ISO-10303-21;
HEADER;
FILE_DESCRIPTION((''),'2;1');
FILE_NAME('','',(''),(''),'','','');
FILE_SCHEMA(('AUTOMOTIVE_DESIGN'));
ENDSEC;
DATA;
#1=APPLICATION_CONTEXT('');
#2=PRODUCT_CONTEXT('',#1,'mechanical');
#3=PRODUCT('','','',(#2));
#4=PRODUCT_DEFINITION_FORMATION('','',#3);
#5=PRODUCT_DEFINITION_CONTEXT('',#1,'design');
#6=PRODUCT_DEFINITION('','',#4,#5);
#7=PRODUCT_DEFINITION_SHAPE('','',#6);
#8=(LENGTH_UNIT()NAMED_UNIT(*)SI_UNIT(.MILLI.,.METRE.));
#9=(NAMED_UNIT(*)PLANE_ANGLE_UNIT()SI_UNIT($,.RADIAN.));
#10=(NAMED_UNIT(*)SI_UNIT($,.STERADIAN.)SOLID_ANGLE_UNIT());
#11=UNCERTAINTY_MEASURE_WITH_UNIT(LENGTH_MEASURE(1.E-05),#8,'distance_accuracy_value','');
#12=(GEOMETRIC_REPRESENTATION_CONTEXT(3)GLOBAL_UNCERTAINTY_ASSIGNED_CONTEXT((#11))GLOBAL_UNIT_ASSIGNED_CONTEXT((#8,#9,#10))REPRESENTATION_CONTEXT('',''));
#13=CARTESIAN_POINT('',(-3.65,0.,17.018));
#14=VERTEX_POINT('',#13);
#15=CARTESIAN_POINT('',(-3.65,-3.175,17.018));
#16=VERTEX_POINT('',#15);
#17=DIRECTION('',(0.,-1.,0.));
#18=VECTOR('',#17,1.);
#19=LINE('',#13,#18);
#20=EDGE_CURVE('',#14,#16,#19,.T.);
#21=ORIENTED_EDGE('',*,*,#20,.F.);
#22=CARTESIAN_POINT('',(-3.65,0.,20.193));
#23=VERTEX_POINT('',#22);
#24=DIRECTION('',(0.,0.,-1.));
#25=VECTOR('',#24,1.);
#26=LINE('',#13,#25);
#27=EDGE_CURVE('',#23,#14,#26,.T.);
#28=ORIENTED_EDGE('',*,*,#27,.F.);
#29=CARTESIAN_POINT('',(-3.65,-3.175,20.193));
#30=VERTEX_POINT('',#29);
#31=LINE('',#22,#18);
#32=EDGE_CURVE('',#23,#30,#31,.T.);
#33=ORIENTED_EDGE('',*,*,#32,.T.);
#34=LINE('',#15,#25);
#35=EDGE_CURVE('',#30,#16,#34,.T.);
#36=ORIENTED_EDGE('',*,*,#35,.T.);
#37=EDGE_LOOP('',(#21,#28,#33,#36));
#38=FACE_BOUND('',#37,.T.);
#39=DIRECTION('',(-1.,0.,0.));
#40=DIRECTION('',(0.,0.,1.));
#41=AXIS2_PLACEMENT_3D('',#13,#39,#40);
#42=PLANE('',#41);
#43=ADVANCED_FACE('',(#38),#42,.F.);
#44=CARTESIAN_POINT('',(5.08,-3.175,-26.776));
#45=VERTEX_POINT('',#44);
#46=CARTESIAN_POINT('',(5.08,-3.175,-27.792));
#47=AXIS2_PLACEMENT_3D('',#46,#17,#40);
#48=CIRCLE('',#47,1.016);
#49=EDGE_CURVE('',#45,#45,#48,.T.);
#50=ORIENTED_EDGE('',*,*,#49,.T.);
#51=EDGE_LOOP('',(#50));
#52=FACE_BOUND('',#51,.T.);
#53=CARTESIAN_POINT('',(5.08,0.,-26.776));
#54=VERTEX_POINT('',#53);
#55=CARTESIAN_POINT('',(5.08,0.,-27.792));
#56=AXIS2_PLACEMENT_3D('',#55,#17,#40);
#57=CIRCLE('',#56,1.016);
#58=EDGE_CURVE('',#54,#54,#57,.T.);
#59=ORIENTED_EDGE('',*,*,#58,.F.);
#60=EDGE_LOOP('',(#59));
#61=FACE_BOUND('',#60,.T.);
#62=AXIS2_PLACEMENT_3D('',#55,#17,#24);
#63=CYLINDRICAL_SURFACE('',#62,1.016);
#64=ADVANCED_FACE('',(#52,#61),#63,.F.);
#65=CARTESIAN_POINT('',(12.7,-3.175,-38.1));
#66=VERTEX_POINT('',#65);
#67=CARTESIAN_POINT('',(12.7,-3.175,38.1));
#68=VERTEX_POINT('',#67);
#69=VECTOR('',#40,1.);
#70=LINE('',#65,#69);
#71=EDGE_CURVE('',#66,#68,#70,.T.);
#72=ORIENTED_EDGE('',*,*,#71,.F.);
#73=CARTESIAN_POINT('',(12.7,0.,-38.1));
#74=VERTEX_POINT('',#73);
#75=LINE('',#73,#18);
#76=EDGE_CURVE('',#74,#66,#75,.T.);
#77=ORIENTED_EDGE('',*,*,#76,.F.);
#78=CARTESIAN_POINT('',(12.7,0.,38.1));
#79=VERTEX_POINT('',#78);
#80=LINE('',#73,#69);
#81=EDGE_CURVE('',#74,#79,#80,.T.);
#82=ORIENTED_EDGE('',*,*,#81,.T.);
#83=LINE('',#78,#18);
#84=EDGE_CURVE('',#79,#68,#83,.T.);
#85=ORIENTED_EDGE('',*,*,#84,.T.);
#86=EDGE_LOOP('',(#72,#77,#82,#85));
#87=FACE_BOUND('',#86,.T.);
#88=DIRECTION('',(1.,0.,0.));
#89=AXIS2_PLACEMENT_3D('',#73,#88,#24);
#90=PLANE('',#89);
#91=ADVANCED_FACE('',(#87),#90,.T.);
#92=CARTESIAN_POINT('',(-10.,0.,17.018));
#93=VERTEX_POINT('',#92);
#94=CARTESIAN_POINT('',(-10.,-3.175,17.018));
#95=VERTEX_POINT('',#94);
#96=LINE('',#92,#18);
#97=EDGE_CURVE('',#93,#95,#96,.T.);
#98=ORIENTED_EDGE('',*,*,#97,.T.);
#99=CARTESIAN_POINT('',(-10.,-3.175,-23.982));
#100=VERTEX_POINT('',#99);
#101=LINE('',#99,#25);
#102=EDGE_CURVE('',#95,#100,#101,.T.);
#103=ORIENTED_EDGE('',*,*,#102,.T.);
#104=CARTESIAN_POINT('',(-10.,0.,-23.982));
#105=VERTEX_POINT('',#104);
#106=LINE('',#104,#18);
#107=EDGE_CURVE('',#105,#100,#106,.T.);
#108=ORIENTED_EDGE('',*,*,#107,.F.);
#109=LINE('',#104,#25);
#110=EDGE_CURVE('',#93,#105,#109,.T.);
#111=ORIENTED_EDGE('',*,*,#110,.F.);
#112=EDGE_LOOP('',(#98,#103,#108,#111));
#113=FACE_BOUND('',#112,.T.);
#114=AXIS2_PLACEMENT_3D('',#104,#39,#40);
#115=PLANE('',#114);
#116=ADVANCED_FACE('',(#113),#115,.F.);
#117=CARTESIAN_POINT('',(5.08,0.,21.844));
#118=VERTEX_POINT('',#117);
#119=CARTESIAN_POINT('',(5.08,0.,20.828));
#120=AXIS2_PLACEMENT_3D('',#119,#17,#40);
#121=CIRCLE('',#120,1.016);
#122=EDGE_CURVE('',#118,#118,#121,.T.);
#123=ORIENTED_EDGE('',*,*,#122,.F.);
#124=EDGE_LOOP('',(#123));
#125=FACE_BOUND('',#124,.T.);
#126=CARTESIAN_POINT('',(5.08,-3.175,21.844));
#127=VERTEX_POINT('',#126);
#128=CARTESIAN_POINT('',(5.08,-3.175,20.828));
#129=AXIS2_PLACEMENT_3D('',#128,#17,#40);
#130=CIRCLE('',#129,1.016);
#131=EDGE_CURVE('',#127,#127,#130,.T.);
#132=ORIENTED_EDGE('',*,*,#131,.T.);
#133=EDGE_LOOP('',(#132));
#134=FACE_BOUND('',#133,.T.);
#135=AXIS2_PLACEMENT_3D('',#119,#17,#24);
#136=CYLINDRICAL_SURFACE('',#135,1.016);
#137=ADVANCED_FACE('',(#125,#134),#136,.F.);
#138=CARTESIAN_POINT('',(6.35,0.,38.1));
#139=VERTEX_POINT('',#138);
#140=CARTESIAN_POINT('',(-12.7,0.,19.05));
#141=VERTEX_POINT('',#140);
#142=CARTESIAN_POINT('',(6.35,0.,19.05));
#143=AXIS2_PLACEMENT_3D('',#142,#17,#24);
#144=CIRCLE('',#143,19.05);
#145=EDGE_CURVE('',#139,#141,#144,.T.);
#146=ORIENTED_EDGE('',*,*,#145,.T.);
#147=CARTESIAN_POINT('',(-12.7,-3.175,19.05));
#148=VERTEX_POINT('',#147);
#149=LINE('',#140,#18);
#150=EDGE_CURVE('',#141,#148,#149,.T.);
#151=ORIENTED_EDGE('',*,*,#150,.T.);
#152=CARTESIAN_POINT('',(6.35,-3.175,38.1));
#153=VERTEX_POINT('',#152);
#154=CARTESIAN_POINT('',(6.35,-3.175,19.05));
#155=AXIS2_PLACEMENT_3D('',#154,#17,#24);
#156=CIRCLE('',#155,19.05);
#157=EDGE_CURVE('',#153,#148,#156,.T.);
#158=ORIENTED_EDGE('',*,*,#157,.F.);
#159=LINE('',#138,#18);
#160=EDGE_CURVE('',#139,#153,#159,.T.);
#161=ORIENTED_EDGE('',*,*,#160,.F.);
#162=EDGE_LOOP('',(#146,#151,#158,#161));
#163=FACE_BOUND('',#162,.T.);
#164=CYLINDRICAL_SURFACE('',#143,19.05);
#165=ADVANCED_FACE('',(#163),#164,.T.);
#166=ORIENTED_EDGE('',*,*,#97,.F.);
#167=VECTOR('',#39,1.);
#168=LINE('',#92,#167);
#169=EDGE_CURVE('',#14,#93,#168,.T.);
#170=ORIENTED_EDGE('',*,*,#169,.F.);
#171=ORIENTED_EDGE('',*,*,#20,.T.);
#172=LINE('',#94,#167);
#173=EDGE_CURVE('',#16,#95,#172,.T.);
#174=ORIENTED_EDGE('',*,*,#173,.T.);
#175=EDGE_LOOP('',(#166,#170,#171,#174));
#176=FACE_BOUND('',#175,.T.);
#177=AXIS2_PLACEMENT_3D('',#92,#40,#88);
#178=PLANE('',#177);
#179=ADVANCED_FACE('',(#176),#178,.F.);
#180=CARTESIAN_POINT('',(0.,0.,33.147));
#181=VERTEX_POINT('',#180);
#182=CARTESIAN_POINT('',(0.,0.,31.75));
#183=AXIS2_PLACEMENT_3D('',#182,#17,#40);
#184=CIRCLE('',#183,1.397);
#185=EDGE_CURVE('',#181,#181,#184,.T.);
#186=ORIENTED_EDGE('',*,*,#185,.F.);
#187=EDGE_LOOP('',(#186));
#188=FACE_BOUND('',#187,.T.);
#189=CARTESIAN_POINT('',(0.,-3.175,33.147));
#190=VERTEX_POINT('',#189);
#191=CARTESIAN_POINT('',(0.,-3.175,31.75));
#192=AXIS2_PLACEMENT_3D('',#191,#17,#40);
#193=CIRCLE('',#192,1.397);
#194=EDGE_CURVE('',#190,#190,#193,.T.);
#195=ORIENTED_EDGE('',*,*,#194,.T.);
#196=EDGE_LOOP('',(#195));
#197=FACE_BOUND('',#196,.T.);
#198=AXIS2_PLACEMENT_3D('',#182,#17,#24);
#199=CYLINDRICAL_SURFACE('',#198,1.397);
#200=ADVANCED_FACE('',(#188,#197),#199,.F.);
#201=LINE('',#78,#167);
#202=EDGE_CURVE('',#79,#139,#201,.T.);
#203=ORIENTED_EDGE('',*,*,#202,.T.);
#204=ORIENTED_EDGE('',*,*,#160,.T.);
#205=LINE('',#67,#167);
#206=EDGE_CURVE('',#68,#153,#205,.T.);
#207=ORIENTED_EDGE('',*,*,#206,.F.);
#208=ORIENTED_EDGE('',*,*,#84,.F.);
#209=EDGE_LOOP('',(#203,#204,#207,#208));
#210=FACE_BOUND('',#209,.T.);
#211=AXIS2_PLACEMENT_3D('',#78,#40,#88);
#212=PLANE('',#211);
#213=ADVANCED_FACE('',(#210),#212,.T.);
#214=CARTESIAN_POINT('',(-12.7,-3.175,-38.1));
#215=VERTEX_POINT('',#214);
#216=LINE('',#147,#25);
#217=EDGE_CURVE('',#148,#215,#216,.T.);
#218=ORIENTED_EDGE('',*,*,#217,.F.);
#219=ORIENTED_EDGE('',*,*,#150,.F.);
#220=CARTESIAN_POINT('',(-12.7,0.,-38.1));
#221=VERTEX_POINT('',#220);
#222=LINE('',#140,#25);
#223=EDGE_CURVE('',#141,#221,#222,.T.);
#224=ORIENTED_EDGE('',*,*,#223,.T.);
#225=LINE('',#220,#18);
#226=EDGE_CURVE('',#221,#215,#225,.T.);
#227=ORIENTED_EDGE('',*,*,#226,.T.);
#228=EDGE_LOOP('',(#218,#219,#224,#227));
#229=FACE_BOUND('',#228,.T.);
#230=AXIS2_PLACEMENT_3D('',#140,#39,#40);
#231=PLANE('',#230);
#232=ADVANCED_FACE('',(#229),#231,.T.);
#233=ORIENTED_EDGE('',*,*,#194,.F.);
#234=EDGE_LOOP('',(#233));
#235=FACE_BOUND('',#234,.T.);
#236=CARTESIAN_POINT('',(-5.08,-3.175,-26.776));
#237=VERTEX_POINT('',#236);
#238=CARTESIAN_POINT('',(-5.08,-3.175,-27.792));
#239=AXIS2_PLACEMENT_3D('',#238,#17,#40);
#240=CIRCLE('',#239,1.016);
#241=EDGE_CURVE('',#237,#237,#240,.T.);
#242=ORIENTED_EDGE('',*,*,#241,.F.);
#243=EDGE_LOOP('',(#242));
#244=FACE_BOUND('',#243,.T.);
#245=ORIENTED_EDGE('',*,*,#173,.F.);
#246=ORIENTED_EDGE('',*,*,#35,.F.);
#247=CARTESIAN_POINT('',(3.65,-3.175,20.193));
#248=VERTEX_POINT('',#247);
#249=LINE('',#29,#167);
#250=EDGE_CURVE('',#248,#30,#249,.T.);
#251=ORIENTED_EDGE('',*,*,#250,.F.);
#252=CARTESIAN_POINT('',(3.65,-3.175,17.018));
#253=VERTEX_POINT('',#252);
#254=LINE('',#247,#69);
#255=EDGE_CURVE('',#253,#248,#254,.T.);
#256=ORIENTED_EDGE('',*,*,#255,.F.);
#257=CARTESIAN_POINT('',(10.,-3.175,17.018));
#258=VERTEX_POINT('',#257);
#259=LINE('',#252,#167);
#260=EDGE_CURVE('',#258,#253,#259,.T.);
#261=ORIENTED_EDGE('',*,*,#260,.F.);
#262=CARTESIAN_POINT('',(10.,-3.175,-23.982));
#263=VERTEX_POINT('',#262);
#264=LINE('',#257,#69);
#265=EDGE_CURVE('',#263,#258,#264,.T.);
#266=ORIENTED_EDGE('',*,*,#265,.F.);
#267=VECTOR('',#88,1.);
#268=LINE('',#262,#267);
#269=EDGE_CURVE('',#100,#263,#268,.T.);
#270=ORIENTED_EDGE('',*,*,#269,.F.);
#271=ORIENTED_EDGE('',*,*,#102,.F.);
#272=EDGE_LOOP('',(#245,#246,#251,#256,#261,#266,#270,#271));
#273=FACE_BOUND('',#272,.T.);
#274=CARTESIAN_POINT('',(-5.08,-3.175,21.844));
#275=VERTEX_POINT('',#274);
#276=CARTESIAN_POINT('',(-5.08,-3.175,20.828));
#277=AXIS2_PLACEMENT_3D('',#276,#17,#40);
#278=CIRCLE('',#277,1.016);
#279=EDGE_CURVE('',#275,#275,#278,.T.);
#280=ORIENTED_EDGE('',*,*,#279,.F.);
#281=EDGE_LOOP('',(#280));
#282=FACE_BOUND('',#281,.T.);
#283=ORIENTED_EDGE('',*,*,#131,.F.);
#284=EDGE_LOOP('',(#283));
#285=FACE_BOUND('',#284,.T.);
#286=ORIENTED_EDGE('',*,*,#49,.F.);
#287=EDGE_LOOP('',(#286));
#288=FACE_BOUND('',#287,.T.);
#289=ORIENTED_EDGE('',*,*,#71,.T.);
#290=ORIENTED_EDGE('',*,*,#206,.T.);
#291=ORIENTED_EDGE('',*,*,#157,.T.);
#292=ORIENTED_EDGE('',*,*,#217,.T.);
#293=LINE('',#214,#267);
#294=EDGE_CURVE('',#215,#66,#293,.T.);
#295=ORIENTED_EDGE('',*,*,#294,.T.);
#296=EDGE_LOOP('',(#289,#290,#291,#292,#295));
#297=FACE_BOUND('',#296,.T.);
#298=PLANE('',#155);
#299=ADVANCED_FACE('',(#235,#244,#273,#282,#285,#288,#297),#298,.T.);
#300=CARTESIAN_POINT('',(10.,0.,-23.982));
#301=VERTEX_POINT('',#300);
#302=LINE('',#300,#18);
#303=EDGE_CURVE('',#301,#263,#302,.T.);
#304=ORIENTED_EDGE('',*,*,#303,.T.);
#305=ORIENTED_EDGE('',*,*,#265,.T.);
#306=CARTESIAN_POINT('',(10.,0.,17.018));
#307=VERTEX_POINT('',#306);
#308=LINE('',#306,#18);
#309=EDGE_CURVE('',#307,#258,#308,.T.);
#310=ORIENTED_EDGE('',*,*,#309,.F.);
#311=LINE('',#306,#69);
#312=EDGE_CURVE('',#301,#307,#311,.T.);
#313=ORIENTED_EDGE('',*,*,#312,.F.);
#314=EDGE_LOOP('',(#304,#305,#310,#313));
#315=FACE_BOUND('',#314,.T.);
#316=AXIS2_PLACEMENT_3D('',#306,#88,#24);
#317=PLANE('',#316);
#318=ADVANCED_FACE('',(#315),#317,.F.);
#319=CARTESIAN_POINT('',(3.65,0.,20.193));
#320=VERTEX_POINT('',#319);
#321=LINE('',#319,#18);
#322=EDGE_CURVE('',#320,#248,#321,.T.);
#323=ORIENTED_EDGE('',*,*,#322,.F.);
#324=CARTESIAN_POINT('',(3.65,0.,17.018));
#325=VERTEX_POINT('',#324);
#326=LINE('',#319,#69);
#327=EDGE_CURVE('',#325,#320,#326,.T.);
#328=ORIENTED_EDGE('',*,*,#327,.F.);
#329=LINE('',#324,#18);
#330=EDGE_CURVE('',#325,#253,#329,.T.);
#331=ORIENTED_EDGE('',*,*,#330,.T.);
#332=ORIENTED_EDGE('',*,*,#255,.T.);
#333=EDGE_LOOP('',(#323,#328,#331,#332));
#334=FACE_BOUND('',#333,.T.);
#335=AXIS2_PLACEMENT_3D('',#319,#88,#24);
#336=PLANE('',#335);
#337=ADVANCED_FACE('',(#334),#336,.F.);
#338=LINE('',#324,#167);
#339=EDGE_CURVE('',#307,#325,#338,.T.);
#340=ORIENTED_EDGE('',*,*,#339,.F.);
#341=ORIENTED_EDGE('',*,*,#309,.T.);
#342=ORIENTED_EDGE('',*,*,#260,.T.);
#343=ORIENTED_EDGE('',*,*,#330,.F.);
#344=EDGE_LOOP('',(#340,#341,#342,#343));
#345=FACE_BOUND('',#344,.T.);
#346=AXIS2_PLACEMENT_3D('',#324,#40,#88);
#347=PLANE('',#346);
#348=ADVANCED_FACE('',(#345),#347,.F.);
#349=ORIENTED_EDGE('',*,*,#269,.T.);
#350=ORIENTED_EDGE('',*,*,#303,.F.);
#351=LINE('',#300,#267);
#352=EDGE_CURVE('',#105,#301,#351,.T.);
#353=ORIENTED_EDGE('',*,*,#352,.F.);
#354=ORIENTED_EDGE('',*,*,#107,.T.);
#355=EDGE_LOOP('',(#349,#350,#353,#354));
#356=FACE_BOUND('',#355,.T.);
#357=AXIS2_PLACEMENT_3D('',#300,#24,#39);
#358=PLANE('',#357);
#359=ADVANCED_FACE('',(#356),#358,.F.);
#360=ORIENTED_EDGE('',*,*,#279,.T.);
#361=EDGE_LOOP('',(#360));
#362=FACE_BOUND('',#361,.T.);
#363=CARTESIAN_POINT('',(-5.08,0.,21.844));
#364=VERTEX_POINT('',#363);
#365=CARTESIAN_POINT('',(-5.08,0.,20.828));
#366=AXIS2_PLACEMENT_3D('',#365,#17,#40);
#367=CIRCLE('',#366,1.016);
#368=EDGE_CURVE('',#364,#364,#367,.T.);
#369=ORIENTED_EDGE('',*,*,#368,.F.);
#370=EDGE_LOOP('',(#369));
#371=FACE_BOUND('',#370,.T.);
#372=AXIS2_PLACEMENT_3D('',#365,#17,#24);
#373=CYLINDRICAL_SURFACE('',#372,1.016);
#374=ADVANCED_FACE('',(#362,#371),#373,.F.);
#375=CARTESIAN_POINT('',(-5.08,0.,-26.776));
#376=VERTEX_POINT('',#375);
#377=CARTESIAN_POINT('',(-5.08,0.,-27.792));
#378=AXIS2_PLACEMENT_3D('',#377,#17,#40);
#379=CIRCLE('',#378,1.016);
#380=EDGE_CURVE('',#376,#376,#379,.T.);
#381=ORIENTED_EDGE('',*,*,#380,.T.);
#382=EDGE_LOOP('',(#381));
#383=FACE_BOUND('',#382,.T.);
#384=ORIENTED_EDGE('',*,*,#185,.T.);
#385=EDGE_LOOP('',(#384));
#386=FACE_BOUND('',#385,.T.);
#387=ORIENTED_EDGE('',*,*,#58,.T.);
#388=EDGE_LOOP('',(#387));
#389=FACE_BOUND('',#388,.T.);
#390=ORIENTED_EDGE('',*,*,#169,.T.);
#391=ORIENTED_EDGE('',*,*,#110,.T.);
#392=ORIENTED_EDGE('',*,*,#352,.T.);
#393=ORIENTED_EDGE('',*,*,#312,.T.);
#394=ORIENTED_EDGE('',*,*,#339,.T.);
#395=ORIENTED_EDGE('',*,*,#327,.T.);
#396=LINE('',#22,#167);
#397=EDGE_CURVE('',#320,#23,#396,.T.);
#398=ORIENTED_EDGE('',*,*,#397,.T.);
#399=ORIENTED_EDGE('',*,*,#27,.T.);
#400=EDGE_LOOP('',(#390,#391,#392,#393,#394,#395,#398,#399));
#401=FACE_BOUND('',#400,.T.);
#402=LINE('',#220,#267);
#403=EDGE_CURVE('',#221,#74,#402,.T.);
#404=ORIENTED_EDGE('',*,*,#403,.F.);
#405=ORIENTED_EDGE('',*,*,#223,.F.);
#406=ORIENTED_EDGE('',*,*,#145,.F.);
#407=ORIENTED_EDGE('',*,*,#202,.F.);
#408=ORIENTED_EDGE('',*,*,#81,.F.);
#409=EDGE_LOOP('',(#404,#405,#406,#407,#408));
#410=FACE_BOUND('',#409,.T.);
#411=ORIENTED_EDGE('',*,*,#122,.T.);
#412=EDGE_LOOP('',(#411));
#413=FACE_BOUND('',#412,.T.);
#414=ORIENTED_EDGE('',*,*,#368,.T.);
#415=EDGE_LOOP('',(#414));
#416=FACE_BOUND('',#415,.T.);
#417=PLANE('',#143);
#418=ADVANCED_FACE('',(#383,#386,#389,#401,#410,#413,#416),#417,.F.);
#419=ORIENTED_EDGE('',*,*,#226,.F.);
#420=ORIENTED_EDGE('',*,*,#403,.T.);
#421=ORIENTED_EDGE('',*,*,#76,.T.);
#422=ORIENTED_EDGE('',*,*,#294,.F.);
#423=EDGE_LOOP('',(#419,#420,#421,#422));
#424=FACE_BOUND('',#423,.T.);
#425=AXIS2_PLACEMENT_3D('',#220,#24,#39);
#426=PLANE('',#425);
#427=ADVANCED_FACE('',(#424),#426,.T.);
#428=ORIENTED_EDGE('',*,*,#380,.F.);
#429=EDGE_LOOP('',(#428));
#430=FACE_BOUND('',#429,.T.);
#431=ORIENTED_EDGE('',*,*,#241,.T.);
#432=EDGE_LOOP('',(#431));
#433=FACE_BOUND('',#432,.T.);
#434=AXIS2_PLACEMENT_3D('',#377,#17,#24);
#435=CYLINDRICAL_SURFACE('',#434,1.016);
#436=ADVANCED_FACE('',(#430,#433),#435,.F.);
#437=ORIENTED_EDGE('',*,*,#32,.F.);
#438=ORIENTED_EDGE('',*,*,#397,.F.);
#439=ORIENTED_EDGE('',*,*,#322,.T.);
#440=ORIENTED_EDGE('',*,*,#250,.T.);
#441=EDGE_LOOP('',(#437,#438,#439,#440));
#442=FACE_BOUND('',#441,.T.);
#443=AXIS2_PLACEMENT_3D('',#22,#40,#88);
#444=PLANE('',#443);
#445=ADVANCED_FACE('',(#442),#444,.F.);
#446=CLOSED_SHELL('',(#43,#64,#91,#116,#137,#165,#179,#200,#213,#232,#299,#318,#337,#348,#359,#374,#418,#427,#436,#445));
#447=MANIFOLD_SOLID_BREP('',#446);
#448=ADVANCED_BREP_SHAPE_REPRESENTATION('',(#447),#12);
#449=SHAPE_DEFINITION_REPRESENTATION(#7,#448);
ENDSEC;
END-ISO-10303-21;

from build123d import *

# Parameters (mm, degrees)
SKETCH1_R           = 1.016
SKETCH1_R_2         = 1.397
BOSS_EXTRUDE1_DEPTH = 3.175


with BuildPart() as part:
    # Sketch1 → Boss-Extrude1 (new body)
    with BuildSketch(Plane.XZ.offset(3.175)):
        with BuildLine():
            Line((12.7, 38.1), (6.35, 38.1))
            ThreePointArc((6.35, 38.1), (-7.120384182, 32.520384182), (-12.7, 19.05))
            Line((-12.7, 19.05), (-12.7, -38.1))
            Line((-12.7, -38.1), (12.7, -38.1))
            Line((12.7, -38.1), (12.7, 38.1))
        make_face()
        with Locations(Location((5.08, 20.828, 0), (0, 0, 90))):  # turned: the seam where the file's is
            Circle(SKETCH1_R, mode=Mode.SUBTRACT)
        with Locations(Location((-5.08, 20.828, 0), (0, 0, 90))):  # turned: the seam where the file's is
            Circle(SKETCH1_R, mode=Mode.SUBTRACT)
        with Locations(Location((-5.08, -27.792, 0), (0, 0, 90))):  # turned: the seam where the file's is
            Circle(SKETCH1_R, mode=Mode.SUBTRACT)
        with Locations(Location((5.08, -27.792, 0), (0, 0, 90))):  # turned: the seam where the file's is
            Circle(SKETCH1_R, mode=Mode.SUBTRACT)
        with Locations(Location((0, 31.75, 0), (0, 0, 90))):  # turned: the seam where the file's is
            Circle(SKETCH1_R_2, mode=Mode.SUBTRACT)
        Polygon((3.65, 17.018), (10, 17.018), (10, -23.982), (-10, -23.982), (-10, 17.018), (-3.65, 17.018), (-3.65, 20.193), (3.65, 20.193), align=None, mode=Mode.SUBTRACT)
    extrude(amount=-BOSS_EXTRUDE1_DEPTH)


solid = part.part
